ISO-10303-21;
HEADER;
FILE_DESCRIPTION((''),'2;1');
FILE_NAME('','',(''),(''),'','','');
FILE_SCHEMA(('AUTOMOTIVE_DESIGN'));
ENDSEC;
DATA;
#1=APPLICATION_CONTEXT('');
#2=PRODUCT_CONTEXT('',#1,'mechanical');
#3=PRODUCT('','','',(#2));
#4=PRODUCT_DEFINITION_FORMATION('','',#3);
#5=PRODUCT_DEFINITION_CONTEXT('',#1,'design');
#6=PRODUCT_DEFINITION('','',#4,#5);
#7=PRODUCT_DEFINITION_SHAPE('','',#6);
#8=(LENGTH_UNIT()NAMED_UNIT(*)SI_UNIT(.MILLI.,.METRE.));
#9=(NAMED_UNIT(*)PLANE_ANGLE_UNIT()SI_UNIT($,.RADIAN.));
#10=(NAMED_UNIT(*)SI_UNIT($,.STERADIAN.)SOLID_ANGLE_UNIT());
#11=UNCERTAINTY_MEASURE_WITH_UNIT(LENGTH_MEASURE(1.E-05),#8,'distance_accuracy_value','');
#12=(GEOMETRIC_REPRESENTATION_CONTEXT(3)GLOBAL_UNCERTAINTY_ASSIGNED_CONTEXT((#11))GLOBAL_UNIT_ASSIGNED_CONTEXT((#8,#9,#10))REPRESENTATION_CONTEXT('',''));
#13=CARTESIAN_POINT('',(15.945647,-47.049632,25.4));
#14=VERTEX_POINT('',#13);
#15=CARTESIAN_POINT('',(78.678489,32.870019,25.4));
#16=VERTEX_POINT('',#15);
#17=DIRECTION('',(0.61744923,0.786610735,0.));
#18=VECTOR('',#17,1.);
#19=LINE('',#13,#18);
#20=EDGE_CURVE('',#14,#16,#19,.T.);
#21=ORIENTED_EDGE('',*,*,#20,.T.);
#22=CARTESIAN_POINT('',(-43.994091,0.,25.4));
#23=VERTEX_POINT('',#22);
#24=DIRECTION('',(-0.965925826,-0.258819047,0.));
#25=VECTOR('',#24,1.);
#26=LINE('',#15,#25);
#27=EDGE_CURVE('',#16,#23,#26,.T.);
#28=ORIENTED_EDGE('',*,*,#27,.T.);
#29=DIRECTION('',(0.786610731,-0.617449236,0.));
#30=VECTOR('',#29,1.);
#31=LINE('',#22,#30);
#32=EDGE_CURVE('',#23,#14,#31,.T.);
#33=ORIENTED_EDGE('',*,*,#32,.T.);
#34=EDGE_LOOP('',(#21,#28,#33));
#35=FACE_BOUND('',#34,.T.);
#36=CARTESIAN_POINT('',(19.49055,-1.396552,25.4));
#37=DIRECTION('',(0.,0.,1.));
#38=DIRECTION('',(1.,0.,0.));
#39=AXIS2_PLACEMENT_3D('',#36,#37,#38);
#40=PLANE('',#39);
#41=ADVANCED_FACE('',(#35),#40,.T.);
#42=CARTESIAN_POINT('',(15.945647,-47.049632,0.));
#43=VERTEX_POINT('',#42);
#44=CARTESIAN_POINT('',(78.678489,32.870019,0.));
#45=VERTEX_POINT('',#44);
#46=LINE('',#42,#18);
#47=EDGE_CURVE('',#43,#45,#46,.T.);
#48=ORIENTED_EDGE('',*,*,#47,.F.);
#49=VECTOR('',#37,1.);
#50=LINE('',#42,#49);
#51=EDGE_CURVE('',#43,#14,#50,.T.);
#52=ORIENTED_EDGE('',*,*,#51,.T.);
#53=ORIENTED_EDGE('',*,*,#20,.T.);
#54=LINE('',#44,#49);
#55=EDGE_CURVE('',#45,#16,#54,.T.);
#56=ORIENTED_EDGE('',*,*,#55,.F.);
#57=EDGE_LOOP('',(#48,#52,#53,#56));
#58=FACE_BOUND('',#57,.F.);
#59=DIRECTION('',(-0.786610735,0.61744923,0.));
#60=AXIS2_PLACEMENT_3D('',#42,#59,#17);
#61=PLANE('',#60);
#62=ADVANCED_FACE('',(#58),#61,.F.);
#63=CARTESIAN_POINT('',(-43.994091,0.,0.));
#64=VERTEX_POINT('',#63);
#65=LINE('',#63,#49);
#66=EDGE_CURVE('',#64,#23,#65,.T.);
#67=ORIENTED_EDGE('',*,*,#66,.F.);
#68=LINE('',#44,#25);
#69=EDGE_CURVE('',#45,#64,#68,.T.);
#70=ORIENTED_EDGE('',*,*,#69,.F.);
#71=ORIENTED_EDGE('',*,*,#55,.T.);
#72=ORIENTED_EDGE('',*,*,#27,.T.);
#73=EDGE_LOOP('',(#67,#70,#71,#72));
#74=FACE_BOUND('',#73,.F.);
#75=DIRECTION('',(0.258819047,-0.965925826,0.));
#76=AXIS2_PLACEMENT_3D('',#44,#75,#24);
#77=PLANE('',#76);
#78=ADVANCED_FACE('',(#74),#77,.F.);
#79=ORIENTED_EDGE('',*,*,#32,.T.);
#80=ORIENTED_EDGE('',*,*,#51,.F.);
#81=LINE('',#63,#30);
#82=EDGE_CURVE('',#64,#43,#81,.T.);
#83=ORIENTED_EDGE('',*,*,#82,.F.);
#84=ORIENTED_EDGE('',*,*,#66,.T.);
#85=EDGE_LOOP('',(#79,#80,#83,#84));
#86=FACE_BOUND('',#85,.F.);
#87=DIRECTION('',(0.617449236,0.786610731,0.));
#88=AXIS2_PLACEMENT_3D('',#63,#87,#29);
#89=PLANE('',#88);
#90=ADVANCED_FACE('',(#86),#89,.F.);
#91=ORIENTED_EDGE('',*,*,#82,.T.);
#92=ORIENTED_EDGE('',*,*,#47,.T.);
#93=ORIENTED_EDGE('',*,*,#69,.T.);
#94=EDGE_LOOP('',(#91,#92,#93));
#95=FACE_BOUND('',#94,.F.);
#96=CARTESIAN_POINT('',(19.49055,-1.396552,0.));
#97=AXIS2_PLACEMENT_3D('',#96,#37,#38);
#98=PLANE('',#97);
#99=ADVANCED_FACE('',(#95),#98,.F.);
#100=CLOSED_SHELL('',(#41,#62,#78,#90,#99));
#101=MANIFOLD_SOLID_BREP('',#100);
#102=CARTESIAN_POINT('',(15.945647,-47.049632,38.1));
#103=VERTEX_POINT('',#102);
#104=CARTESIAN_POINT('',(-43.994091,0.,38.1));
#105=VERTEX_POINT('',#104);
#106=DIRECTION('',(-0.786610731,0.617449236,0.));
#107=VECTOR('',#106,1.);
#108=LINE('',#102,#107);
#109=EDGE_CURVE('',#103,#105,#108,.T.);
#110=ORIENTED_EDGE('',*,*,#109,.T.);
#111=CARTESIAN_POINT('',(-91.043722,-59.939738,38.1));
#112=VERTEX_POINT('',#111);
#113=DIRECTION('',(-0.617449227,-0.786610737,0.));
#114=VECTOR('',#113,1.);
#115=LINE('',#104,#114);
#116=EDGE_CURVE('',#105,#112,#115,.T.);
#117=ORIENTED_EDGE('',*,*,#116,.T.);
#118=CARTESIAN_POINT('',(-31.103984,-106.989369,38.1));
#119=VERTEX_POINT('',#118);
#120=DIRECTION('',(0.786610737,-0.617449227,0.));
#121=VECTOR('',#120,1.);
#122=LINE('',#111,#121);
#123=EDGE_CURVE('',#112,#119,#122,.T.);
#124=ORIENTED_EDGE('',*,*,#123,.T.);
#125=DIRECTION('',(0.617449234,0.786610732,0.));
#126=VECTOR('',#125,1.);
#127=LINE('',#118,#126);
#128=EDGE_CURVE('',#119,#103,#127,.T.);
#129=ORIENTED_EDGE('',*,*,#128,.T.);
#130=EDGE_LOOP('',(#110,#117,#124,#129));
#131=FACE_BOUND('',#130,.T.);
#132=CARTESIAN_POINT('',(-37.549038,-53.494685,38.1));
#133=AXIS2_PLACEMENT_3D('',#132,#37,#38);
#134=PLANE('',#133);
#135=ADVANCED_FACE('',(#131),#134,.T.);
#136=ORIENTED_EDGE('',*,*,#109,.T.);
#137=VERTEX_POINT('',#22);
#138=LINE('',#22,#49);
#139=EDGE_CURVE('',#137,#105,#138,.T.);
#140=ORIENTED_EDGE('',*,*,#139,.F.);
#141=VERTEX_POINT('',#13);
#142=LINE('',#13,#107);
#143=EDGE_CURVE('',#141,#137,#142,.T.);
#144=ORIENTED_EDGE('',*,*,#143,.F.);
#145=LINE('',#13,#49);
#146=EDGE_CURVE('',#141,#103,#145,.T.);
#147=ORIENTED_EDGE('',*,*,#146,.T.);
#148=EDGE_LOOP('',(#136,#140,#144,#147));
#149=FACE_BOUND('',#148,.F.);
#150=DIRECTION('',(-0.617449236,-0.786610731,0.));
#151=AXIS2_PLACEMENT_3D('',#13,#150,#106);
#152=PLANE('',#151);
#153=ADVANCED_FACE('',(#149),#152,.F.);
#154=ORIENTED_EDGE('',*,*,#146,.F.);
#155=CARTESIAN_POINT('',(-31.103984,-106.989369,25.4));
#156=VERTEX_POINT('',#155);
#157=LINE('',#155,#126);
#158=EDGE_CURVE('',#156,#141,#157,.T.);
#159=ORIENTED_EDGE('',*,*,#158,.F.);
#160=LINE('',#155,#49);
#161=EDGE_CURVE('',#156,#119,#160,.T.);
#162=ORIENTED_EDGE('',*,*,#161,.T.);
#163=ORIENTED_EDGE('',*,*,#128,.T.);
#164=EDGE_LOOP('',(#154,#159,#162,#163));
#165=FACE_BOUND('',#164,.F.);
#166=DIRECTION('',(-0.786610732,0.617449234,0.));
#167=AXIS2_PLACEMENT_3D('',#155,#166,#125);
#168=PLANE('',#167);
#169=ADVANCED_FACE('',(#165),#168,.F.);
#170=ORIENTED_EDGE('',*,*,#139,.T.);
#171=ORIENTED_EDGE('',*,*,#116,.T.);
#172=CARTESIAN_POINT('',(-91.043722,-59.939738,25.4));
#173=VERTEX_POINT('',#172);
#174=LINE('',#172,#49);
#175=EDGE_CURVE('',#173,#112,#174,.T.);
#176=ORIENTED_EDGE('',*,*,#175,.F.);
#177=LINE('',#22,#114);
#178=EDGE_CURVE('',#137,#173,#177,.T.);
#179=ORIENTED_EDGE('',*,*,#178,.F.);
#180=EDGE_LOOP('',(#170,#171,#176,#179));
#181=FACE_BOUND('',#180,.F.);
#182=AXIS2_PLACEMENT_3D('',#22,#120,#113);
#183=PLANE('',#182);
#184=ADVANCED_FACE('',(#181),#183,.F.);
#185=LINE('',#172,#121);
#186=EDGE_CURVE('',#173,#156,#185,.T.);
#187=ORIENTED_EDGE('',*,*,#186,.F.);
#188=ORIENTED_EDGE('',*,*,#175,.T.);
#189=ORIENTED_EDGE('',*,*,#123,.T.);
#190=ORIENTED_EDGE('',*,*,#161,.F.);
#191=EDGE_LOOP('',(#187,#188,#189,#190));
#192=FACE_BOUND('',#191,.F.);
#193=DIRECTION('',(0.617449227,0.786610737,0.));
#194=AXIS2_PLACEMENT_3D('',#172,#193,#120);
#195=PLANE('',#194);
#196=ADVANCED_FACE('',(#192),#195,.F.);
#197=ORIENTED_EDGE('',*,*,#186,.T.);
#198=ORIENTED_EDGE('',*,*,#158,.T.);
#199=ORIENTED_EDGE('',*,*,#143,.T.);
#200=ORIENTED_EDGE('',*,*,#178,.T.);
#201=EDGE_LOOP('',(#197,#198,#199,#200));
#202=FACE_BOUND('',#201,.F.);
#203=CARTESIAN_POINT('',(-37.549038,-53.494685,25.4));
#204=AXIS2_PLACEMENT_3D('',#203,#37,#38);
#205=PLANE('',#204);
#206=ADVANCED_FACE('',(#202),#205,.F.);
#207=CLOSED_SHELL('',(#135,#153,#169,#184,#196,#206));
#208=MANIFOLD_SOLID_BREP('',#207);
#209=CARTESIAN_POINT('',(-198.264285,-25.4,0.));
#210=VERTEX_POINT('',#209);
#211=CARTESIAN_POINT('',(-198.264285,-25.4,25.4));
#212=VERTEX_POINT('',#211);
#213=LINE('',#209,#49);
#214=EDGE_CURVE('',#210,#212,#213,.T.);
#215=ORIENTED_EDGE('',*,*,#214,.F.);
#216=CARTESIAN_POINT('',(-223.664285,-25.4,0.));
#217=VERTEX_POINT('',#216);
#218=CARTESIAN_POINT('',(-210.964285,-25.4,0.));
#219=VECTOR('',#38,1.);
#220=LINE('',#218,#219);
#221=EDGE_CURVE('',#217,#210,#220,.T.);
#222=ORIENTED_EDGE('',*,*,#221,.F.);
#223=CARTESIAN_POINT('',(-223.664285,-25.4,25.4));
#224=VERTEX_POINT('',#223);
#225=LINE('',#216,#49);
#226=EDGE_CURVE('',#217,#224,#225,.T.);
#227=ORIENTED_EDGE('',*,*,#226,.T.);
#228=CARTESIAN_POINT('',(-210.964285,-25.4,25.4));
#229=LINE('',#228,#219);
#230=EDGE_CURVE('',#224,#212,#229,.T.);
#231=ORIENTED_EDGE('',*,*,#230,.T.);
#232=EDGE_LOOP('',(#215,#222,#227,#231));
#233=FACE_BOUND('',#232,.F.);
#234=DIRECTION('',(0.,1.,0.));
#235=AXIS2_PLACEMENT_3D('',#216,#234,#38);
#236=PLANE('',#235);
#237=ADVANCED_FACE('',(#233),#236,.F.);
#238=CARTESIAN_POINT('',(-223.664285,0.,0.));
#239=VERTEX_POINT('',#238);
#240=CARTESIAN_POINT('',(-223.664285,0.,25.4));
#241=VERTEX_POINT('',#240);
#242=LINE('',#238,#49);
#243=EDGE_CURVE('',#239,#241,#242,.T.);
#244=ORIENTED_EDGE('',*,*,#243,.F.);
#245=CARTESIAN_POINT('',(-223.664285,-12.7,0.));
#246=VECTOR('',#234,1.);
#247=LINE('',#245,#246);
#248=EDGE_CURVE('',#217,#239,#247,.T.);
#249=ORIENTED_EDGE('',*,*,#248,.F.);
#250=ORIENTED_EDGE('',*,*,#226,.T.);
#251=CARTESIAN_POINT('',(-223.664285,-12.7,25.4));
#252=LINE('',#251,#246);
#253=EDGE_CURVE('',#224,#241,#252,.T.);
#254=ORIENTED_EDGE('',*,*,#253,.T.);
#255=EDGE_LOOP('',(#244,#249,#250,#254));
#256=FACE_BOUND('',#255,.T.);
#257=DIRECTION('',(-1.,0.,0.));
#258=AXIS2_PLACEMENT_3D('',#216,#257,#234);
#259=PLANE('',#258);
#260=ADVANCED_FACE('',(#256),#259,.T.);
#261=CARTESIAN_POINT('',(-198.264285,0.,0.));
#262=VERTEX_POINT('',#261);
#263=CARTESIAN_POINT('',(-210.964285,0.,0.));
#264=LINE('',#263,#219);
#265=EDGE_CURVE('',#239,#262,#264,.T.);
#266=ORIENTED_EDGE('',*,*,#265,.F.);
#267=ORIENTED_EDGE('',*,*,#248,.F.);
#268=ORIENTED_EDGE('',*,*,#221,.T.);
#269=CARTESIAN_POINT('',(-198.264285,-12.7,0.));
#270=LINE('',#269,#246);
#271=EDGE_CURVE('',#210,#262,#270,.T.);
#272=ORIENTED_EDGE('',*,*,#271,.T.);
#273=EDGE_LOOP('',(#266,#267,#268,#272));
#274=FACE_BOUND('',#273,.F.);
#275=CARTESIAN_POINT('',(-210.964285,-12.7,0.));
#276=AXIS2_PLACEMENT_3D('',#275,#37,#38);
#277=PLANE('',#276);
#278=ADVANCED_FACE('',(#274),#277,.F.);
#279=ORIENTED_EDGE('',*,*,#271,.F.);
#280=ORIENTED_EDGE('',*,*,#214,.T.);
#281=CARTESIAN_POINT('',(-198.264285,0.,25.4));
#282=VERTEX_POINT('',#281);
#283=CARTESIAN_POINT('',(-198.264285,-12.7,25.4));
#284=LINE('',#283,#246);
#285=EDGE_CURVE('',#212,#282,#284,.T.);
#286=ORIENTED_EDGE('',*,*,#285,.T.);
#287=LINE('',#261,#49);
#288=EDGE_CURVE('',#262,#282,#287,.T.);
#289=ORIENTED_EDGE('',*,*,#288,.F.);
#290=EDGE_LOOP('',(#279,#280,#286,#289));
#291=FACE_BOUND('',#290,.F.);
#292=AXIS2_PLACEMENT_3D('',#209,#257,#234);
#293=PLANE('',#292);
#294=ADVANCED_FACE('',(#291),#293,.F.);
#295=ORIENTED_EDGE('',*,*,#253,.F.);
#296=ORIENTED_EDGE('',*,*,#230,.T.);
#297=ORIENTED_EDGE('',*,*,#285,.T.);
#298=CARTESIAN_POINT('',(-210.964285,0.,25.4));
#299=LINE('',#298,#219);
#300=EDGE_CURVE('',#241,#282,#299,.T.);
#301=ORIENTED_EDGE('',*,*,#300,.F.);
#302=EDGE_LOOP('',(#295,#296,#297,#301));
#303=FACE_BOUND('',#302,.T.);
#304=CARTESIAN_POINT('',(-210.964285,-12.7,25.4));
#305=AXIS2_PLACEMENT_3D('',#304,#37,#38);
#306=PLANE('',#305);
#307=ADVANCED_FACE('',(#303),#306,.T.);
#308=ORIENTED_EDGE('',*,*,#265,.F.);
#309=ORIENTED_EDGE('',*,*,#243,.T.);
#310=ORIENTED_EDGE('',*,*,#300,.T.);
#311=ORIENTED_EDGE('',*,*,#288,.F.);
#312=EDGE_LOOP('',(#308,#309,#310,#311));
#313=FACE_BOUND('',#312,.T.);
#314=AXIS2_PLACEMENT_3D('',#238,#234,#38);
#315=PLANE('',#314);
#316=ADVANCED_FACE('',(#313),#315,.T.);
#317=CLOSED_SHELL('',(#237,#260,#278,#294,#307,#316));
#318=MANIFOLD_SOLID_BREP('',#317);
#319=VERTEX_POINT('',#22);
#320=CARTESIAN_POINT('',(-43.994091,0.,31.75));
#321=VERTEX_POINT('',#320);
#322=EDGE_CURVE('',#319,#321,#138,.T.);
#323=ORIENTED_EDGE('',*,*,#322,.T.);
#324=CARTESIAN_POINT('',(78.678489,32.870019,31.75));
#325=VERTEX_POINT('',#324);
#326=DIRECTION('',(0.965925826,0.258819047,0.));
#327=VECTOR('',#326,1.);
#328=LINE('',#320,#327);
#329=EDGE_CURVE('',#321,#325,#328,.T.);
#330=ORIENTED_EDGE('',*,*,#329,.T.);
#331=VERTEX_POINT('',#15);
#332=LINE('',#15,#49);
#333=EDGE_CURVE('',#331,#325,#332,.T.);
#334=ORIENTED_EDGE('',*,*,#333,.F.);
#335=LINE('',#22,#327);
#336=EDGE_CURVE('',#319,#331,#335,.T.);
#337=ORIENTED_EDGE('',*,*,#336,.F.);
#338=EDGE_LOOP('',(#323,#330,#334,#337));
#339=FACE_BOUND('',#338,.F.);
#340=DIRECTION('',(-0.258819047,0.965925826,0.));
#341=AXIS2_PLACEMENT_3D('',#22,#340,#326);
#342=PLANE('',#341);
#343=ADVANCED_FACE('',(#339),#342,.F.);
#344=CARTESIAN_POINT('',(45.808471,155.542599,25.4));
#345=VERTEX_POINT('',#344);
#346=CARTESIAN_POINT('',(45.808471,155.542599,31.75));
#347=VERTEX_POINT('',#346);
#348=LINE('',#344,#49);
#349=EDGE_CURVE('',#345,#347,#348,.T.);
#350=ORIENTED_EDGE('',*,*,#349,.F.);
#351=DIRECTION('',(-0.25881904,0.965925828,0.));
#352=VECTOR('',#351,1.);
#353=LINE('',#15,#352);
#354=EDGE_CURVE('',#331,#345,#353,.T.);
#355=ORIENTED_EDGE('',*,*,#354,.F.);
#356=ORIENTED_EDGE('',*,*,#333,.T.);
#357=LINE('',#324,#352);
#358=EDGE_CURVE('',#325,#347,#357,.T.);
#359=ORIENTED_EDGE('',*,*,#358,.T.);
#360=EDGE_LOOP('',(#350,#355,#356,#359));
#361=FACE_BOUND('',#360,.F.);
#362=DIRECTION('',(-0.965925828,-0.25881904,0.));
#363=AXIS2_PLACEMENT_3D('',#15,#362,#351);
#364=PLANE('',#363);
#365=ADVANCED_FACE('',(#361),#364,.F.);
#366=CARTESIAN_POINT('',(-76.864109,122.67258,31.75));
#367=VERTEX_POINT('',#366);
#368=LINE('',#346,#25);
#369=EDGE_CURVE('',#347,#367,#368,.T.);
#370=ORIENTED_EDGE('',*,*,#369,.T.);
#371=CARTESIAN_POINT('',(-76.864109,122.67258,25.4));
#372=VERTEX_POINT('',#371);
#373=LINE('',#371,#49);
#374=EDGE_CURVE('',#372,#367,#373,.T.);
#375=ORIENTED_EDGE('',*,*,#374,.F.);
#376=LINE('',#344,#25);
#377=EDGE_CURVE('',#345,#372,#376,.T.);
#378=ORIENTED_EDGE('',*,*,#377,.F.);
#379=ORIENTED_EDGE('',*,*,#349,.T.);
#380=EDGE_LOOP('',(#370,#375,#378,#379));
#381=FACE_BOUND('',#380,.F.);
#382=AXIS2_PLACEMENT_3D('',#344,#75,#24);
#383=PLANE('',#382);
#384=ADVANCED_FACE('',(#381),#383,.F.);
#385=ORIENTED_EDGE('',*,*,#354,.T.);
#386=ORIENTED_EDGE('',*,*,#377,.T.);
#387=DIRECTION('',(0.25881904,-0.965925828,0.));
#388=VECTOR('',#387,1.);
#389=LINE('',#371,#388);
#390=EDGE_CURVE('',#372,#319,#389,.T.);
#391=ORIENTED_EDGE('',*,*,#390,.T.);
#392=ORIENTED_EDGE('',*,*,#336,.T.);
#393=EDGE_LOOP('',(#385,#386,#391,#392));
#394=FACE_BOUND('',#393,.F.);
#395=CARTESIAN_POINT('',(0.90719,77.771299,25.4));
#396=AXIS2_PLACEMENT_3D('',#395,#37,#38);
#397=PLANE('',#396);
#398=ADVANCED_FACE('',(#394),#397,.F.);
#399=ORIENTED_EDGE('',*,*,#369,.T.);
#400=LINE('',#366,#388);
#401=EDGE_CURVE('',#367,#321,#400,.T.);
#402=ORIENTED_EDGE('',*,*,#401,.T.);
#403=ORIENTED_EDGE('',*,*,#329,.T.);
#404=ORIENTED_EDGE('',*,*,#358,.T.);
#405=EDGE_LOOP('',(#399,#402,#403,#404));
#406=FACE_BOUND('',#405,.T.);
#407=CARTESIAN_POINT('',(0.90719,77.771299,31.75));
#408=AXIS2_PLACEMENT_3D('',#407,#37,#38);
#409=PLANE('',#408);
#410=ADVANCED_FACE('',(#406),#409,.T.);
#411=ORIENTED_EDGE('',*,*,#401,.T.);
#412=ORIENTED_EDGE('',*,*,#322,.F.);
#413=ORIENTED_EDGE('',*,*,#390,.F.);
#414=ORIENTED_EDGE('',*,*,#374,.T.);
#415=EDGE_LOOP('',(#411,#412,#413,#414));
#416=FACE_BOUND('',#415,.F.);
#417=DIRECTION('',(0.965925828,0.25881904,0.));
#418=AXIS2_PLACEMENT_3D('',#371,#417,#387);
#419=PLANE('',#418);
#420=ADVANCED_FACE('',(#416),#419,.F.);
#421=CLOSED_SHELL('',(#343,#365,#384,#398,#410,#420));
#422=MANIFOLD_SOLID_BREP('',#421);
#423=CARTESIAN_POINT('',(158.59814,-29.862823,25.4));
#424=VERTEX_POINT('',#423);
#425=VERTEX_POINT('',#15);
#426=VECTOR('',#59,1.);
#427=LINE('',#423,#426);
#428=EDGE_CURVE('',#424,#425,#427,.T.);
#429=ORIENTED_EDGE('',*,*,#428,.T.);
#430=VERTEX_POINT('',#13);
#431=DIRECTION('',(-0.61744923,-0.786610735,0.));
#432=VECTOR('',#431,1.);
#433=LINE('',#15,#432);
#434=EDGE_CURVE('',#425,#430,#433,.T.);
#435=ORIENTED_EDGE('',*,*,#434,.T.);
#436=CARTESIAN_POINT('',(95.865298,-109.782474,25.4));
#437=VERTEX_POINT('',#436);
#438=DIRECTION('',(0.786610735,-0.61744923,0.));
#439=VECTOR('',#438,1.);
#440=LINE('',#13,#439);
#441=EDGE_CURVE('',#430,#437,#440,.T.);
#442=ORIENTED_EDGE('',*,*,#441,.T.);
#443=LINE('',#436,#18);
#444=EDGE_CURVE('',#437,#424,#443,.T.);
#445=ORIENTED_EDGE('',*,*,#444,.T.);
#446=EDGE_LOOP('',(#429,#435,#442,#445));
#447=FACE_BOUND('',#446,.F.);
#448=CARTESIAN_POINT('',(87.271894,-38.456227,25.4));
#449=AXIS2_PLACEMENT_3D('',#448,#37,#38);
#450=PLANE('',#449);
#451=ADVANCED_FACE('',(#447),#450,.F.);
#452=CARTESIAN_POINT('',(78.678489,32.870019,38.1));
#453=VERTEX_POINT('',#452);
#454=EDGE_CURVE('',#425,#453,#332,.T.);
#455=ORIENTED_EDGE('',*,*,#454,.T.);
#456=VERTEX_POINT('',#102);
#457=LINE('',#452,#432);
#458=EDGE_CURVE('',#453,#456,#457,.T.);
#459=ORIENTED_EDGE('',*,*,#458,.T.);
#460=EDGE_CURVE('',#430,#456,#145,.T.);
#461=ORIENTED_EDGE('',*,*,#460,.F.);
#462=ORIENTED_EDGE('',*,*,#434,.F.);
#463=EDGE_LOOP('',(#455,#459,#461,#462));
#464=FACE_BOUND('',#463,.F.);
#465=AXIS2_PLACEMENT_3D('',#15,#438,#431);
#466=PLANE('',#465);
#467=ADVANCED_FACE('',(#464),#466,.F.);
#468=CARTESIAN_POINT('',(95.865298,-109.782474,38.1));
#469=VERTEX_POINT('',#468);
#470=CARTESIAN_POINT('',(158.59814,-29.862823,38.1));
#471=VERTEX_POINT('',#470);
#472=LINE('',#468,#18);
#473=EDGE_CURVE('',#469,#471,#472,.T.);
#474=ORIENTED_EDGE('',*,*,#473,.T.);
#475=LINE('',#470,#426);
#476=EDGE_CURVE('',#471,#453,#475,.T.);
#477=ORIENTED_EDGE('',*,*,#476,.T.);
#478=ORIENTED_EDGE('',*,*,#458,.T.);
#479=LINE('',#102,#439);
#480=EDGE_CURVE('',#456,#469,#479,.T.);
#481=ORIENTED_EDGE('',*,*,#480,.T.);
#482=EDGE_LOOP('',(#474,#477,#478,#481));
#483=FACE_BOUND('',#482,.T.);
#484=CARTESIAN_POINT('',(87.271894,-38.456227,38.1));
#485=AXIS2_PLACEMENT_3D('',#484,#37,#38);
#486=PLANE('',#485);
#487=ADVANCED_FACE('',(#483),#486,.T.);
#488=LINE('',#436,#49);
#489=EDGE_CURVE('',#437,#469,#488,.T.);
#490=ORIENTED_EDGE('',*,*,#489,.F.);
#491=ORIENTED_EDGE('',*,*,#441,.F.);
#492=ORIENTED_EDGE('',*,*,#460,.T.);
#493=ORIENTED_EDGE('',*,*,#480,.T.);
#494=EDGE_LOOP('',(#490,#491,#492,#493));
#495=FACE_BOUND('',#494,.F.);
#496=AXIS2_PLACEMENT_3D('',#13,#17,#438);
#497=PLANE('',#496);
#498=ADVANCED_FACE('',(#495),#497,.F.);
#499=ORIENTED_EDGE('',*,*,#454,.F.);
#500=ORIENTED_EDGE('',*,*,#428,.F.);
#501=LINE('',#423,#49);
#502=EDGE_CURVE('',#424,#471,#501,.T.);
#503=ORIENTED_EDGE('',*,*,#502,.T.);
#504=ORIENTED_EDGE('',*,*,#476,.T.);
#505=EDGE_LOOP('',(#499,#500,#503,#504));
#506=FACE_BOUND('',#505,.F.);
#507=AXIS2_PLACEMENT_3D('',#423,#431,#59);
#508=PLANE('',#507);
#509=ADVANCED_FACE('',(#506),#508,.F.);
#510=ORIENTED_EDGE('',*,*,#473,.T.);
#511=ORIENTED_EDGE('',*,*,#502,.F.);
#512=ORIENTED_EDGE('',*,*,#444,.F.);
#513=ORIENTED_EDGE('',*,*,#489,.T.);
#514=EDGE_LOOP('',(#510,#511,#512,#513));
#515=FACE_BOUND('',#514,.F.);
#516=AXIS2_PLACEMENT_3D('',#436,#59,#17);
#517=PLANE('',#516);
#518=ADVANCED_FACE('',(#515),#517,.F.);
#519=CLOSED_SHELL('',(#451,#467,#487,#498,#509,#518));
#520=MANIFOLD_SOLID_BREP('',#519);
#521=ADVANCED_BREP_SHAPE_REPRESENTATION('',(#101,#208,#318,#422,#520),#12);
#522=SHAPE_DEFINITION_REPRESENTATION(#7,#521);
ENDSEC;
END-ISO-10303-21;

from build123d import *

# Parameters (mm, degrees)
F1_DEPTH = 25.4
F4_DEPTH = 12.7
F6_DEPTH = 6.35
F7_W     = 25.4
F7_H     = 25.4
F8_DEPTH = 25.4


with BuildPart() as f1:
    # F0 (on Top) → F1 (new body)
    with BuildSketch(Plane.XY):
        Polygon((15.945647, -47.049632), (78.678489, 32.870019), (-43.994091, 0), align=None)
    extrude(amount=F1_DEPTH)


with BuildPart() as f4:
    # F2 (on face) + F3 (on face) → F4 (new body)
    with BuildSketch(Plane.XY.offset(25.4)):
        Polygon((15.945647, -47.049632), (-43.994091, 0), (-91.043722, -59.939738), (-31.103984, -106.989369), align=None)
    with BuildSketch(Plane.XY.offset(25.4)):
        Polygon((158.59814, -29.862823), (78.678489, 32.870019), (15.945647, -47.049632), (95.865298, -109.782474), align=None)
    extrude(amount=F4_DEPTH)


with BuildPart() as f6:
    # F5 (on face) → F6 (new body)
    with BuildSketch(Plane.XY.offset(25.4)):
        Polygon((-76.864109, 122.67258), (-43.994091, 0), (78.678489, 32.870019), (45.808471, 155.542599), align=None)
    extrude(amount=F6_DEPTH)


with BuildPart() as f8:
    # F7 (on Top) → F8 (new body)
    with BuildSketch(Plane.XY):
        with Locations((-210.964285, -12.7)):
            Rectangle(F7_W, F7_H)
    extrude(amount=F8_DEPTH)


solid = Compound([f1.part, f4.part, f6.part, f8.part])
